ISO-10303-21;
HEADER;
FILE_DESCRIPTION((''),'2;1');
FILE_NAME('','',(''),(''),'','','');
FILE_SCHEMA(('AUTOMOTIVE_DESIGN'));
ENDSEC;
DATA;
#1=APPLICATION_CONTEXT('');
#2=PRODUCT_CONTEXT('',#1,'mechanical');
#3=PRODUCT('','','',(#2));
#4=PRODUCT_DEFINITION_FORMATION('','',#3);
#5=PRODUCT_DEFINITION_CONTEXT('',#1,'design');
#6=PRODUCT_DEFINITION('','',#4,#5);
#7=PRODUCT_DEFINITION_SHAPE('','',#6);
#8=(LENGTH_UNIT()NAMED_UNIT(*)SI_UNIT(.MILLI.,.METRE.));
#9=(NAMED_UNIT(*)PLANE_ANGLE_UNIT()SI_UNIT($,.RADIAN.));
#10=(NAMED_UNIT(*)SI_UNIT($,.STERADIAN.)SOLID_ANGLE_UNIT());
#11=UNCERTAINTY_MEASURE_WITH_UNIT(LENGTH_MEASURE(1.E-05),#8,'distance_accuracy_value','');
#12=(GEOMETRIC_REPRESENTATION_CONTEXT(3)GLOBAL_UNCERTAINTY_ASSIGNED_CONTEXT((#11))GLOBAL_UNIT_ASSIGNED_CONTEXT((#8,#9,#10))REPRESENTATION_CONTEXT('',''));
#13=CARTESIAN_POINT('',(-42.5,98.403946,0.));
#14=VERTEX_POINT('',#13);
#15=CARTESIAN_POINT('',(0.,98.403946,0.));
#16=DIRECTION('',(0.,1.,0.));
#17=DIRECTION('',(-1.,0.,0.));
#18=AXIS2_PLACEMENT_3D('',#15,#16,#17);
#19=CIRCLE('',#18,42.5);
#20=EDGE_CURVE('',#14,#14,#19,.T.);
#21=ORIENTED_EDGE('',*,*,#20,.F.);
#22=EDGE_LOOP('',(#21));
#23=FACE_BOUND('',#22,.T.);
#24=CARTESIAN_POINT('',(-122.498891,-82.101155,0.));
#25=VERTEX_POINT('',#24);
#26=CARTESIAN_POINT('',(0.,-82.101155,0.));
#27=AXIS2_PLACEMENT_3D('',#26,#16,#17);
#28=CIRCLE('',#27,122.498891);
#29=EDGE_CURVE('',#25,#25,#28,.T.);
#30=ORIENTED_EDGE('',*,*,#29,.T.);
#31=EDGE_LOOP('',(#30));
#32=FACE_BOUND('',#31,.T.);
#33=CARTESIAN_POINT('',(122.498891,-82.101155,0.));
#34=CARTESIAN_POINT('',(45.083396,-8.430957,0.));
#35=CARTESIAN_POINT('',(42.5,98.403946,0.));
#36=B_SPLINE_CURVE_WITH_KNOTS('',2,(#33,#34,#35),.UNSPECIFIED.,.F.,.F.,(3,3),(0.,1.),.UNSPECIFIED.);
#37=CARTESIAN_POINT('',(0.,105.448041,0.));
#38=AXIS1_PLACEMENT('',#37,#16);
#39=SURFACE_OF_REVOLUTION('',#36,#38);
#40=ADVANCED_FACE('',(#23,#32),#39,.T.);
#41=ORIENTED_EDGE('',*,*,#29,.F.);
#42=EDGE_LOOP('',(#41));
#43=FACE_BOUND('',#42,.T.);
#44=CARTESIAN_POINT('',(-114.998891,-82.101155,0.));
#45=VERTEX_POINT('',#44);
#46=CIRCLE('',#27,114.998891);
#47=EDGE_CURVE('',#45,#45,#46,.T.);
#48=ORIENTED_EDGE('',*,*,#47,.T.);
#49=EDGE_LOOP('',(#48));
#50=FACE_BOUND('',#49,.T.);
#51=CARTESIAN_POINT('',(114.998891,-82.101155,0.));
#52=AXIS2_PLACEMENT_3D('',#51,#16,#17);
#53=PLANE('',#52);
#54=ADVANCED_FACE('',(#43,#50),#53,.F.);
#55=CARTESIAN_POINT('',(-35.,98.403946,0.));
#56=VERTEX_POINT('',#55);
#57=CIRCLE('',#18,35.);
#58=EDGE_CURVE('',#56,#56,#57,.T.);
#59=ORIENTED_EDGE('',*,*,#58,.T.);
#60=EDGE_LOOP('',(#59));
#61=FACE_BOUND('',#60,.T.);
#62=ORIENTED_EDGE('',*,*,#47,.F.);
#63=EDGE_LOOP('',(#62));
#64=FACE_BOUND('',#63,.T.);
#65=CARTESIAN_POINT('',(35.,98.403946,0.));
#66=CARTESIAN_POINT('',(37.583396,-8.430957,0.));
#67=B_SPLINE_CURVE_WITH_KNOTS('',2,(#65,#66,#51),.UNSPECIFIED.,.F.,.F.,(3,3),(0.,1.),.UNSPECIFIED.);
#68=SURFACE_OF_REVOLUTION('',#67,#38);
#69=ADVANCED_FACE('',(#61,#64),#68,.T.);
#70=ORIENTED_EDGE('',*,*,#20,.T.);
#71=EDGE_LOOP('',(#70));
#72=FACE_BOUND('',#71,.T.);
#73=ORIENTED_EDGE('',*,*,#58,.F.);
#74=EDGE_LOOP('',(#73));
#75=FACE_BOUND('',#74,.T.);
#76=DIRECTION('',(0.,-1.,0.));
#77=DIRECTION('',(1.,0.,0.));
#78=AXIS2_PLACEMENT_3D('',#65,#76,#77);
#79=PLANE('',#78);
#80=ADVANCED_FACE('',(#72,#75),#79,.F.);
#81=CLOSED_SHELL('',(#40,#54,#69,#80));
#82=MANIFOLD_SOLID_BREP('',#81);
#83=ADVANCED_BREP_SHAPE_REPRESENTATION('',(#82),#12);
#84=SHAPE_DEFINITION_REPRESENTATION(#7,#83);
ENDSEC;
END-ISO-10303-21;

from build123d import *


with BuildPart() as part:
    # Sketch2 → Revolve1 (revolve)
    with BuildSketch(Plane.XY):
        with BuildLine():
            Line((35, 98.40394622), (42.5, 98.40394622))
            add(Edge.make_bspline(
                [(42.5, 98.40394622), (45.083395915, -8.43095742), (122.498890748, -82.101154559)],
                knots=[0, 0, 0, 1, 1, 1], degree=2))
            Line((122.498890748, -82.101154559), (114.998890748, -82.101154559))
            add(Edge.make_bspline(
                [(35, 98.40394622), (37.583395915, -8.43095742), (114.998890748, -82.101154559)],
                knots=[0, 0, 0, 1, 1, 1], degree=2))
        make_face()
    revolve(axis=Axis((0, 105.448040777, 0), (0, -1, 0)))


solid = part.part
